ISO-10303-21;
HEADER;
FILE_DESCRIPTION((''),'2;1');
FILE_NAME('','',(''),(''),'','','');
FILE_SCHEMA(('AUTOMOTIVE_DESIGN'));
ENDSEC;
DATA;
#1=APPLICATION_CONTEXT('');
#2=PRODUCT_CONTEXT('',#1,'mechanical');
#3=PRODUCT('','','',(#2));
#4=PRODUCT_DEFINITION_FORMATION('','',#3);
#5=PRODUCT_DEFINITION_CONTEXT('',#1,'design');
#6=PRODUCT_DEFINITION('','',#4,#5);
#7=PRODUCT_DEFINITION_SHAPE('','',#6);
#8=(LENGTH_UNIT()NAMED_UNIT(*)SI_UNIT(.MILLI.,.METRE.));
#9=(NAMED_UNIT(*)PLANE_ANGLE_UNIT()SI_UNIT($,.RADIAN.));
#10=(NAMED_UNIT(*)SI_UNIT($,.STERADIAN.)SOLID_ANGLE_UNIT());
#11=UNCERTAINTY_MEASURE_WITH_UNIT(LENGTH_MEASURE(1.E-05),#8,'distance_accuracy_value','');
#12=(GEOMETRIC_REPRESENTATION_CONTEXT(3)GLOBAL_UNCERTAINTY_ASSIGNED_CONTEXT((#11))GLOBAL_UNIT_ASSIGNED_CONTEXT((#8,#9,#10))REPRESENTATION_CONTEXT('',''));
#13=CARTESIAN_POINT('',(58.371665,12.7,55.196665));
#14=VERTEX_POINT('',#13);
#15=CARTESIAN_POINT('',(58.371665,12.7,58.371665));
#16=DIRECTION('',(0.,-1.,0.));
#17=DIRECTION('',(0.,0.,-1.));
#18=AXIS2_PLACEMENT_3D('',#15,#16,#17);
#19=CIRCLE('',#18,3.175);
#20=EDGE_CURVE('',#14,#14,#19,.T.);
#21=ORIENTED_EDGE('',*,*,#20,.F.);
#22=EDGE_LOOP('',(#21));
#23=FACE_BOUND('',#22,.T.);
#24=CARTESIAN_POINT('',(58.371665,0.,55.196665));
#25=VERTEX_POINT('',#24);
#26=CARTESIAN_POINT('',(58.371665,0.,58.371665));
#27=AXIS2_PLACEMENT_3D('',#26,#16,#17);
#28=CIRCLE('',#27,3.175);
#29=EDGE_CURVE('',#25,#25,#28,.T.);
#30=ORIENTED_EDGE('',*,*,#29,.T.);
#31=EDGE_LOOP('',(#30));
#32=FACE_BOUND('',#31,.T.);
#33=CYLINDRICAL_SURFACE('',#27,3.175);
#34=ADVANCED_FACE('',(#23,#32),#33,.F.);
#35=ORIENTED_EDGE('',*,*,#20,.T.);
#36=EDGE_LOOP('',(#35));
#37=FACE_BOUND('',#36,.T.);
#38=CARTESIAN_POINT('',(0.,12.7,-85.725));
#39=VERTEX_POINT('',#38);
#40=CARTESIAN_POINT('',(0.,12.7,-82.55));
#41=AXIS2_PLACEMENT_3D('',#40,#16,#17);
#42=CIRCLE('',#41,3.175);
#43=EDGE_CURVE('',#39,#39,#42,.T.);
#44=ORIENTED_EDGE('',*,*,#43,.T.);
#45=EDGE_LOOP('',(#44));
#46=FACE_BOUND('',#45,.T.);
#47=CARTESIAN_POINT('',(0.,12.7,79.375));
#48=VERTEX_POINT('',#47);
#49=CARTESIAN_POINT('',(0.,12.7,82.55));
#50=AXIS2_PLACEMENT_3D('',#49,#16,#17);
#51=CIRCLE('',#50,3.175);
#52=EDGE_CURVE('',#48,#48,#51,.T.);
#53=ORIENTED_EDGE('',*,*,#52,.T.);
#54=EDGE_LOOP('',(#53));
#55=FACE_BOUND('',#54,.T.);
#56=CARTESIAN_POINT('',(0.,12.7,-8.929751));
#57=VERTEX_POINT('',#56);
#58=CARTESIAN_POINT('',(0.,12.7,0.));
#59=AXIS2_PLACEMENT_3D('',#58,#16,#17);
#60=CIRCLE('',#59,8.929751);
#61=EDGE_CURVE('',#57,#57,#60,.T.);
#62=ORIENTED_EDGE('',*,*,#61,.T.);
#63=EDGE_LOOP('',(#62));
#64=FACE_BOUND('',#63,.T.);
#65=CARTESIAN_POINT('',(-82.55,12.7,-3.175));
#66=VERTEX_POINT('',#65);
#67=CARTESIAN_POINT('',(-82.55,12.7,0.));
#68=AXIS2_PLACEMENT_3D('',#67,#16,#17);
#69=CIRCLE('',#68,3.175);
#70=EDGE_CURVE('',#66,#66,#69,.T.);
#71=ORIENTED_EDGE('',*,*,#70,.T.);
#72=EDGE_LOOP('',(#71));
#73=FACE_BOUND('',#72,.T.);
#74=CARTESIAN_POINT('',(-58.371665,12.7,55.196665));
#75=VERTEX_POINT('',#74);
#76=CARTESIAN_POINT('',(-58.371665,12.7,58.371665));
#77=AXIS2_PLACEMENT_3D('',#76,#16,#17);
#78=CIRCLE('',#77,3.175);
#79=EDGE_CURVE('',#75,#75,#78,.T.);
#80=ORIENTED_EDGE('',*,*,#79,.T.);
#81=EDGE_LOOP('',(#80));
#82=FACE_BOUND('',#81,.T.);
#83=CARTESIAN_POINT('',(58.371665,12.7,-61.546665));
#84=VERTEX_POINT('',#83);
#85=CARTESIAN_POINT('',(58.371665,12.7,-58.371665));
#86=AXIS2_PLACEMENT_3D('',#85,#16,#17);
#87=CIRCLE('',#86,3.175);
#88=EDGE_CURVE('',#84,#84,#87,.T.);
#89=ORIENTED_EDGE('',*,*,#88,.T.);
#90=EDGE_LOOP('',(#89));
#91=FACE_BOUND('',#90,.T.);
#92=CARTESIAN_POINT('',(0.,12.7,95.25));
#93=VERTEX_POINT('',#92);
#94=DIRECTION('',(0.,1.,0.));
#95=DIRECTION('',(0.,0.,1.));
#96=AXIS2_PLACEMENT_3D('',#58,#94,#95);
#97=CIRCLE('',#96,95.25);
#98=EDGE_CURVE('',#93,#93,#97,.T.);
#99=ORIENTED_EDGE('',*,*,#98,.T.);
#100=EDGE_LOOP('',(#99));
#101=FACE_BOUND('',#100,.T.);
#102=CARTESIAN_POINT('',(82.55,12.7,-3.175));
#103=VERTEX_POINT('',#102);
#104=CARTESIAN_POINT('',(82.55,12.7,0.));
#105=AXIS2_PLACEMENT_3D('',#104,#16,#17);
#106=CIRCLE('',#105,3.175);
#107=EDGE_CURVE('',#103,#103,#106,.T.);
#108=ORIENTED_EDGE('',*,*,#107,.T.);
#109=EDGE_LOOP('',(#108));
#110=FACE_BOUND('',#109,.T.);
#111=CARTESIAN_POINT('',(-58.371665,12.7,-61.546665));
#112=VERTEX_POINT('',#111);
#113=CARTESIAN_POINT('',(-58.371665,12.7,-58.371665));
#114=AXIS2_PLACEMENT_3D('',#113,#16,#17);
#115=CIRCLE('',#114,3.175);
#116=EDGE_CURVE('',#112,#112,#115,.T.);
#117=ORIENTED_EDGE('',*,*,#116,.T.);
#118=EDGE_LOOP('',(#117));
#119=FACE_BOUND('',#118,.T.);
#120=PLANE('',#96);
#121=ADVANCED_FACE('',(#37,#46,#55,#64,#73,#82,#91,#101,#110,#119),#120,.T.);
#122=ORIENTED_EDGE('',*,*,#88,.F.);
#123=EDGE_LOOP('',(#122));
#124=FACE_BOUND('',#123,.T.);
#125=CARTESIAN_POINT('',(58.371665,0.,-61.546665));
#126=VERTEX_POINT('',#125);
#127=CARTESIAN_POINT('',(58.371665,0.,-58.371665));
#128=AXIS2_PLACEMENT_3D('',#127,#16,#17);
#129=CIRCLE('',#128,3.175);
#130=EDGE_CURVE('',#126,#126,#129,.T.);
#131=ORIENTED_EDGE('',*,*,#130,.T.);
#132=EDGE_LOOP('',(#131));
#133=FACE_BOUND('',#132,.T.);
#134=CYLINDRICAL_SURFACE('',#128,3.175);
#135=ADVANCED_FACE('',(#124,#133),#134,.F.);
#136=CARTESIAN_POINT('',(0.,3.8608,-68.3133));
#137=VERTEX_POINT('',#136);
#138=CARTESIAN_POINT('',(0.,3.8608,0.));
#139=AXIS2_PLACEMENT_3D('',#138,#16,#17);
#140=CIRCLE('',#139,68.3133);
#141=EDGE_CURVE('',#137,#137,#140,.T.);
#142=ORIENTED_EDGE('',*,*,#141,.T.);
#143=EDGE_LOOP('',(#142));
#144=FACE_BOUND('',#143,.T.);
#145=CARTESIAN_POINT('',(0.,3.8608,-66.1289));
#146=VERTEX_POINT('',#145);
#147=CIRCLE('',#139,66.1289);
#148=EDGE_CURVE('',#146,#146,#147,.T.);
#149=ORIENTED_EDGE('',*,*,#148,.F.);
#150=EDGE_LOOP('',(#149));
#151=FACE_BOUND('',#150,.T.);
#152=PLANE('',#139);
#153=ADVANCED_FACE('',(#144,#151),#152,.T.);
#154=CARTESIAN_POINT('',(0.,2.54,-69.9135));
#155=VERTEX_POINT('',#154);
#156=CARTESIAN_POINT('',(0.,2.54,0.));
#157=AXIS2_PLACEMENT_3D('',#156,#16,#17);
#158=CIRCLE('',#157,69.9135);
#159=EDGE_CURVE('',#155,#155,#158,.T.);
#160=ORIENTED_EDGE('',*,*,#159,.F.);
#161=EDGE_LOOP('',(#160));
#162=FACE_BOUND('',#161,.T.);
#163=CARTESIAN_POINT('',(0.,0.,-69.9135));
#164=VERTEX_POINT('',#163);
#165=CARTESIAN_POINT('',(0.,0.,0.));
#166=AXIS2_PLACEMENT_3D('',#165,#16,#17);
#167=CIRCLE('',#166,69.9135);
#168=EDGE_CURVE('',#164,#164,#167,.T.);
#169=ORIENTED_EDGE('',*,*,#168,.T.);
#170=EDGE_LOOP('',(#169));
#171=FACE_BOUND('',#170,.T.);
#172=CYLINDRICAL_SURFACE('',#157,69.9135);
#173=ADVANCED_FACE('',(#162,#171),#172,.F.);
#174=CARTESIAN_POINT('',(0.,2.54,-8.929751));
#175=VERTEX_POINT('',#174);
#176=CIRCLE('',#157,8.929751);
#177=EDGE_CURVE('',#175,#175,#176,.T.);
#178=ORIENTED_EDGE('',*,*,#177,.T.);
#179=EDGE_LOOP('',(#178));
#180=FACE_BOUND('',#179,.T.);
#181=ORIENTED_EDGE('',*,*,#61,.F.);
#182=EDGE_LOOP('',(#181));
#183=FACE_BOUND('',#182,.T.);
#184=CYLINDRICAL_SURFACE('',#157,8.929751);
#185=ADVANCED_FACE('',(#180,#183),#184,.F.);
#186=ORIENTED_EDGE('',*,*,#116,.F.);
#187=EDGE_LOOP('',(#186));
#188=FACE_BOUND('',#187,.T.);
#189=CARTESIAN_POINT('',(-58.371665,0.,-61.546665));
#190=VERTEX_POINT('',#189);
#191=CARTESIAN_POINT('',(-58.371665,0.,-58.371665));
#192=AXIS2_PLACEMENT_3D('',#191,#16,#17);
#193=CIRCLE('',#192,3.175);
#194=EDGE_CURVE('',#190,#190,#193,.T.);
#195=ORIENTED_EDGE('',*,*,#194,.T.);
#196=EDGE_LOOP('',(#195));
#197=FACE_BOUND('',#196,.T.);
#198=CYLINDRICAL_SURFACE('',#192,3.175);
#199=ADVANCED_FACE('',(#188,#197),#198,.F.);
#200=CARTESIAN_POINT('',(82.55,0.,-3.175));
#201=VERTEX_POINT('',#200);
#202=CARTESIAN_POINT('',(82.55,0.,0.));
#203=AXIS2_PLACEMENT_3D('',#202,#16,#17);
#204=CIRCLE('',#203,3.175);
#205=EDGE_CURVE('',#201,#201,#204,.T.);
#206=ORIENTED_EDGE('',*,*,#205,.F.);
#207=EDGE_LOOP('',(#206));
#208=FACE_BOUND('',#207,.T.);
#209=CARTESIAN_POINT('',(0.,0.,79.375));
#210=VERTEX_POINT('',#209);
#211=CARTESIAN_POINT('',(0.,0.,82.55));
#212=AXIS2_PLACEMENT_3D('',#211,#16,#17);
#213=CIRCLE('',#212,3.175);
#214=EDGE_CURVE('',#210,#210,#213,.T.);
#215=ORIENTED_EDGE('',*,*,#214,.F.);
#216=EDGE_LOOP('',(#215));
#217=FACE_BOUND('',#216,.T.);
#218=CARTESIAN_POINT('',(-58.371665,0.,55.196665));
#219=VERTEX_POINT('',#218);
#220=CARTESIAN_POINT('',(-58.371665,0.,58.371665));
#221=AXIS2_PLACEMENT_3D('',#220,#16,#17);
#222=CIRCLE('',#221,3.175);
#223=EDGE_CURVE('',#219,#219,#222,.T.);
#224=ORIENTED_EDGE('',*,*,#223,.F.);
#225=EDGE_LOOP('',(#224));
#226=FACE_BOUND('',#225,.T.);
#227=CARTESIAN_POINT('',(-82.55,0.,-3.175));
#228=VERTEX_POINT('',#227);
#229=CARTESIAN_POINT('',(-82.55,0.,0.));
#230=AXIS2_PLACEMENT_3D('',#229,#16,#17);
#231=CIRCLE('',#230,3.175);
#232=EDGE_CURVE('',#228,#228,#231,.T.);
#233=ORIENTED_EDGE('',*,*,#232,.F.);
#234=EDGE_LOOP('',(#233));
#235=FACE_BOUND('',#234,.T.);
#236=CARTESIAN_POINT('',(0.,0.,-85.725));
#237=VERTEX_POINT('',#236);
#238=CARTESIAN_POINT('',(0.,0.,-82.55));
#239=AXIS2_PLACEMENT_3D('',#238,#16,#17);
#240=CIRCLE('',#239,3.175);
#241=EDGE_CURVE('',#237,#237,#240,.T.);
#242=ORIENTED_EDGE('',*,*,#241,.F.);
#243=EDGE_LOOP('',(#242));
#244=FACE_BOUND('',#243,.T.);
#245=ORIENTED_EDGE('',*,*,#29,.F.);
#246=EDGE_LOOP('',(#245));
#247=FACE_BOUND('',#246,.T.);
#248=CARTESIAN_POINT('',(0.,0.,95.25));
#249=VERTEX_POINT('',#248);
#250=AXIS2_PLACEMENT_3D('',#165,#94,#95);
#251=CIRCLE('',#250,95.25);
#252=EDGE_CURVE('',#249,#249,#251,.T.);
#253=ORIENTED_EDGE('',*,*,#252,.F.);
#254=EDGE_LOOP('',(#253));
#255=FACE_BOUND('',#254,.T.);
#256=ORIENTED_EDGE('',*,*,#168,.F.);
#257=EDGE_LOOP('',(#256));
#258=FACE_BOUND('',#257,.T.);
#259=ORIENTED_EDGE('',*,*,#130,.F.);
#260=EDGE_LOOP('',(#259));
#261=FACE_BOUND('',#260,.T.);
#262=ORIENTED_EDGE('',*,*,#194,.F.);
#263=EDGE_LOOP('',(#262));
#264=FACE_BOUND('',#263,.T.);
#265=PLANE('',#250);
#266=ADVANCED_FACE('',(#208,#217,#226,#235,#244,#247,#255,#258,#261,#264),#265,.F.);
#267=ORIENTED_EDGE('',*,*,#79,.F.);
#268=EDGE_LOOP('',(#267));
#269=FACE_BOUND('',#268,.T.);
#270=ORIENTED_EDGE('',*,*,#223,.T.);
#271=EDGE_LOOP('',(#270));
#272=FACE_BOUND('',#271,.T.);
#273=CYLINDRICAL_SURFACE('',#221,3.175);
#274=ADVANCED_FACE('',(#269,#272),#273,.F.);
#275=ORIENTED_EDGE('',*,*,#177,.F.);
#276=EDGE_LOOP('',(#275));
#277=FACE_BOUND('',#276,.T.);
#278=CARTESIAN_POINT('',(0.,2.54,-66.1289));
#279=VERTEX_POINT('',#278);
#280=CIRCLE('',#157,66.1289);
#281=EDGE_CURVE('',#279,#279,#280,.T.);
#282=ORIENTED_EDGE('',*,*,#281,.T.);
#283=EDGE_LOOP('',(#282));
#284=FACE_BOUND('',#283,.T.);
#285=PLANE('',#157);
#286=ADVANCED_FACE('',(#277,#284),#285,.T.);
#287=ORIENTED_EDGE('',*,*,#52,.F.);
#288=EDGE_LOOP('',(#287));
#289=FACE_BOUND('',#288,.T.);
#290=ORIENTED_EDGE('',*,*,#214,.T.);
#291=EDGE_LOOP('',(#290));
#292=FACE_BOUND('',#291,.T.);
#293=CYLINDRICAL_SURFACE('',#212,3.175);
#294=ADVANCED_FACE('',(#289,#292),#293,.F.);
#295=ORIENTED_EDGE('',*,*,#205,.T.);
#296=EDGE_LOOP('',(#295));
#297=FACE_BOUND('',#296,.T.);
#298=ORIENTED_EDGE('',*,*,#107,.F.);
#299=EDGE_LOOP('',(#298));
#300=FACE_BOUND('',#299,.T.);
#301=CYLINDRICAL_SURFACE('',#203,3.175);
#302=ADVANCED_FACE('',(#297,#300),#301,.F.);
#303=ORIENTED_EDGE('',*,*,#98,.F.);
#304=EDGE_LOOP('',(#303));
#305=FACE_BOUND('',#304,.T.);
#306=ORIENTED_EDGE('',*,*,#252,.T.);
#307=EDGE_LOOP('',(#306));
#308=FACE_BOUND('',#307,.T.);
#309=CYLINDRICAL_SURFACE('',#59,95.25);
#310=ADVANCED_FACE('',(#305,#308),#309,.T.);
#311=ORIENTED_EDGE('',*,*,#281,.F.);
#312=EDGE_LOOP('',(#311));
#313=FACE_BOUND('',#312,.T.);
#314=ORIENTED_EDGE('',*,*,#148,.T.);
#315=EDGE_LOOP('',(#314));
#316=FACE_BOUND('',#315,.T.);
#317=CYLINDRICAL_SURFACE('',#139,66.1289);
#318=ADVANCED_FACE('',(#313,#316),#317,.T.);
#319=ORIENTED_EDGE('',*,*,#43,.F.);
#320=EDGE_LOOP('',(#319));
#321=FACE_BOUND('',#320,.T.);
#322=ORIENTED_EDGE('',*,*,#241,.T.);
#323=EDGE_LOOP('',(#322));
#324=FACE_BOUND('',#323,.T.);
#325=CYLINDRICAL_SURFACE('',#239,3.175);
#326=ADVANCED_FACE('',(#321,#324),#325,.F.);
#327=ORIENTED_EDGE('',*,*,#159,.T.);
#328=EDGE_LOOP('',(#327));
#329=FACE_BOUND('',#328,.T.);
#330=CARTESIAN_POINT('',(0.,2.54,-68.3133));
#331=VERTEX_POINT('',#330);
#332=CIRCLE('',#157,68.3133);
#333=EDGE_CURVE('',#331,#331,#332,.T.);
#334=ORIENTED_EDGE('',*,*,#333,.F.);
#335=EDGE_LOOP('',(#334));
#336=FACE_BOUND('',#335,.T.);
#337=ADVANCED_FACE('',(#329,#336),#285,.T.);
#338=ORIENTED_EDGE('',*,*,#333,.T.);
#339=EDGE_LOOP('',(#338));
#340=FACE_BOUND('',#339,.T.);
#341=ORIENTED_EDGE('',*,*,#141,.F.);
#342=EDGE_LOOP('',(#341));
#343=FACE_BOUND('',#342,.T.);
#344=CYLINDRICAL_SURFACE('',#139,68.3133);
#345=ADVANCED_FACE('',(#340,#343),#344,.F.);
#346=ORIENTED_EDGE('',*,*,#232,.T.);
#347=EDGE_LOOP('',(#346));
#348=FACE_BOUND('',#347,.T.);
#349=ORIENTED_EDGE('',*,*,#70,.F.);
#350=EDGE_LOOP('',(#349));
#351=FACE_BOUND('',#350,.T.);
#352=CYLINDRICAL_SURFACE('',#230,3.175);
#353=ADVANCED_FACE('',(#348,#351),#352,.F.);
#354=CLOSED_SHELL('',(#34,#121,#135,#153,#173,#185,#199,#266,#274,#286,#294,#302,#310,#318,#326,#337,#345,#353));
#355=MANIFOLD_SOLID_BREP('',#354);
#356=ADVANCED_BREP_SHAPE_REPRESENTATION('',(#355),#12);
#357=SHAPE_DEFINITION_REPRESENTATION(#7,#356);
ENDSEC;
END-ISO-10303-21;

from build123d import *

# Parameters (mm, degrees)
SKETCH1_R                        = 95.25
BOSS_EXTRUDE1_DEPTH              = 12.7
F_1_4_0_25_DIAMETER_HOLE1_D      = 6.35
CIRPATTERN1_COUNT                = 8
SKETCH7_R                        = 69.9135
CUT_EXTRUDE3_DEPTH               = 2.54
SKETCH2_R                        = 68.3133
SKETCH2_R_2                      = 66.1289
CUT_EXTRUDE1_DEPTH               = 1.3208
F_45_64_0_70313_DIAMETER_HOLE1_D = 17.859502


with BuildPart() as part:
    # Sketch1 → Boss-Extrude1 (new body)
    with BuildSketch(Plane(origin=(0, 0, 0), x_dir=(1, 0, 0), z_dir=(0, 1, 0))):
        with Locations(Location((0, 0, 0), (0, 0, 270))):
            Circle(SKETCH1_R)
    extrude(amount=BOSS_EXTRUDE1_DEPTH)

    # 1/4 (0.25) Diameter Hole1 (through all)
    with Locations(Plane(origin=(0, 0, 0), x_dir=(-1, 0, 0), z_dir=(0, -1, 0))):
        with Locations((0, -82.55)):
            f_1_4_0_25_diameter_hole1 = Hole(F_1_4_0_25_DIAMETER_HOLE1_D / 2)

    # CirPattern1: 1/4 (0.25) Diameter Hole1 ×8 about axis
    cirpattern1_axis = Axis((0, 0, 0), (0, 1, 0))
    for i in range(1, CIRPATTERN1_COUNT):
        add(f_1_4_0_25_diameter_hole1.rotate(cirpattern1_axis, i * 360 / CIRPATTERN1_COUNT), mode=Mode.SUBTRACT)

    # Sketch7 → Cut-Extrude3 (cut)
    with BuildSketch(Plane(origin=(0, 0, 0), x_dir=(-1, 0, 0), z_dir=(0, -1, 0))):
        with Locations(Location((0, 0, 0), (0, 0, 90))):
            Circle(SKETCH7_R)
    extrude(amount=-CUT_EXTRUDE3_DEPTH, mode=Mode.SUBTRACT)

    # Sketch2 → Cut-Extrude1 (cut)
    with BuildSketch(Plane.XZ.offset(-2.54)):
        with Locations(Location((0, 0, 0), (0, 0, 270))):
            Circle(SKETCH2_R)
        with Locations(Location((0, 0, 0), (0, 0, 270))):
            Circle(SKETCH2_R_2, mode=Mode.SUBTRACT)
    extrude(amount=-CUT_EXTRUDE1_DEPTH, mode=Mode.SUBTRACT)

    # 45/64 (0.70313) Diameter Hole1 (through all)
    with Locations(Plane(origin=(0, 2.54, 0), x_dir=(-1, 0, 0), z_dir=(0, -1, 0))):
        with Locations((0, 0)):
            Hole(F_45_64_0_70313_DIAMETER_HOLE1_D / 2)


solid = part.part
